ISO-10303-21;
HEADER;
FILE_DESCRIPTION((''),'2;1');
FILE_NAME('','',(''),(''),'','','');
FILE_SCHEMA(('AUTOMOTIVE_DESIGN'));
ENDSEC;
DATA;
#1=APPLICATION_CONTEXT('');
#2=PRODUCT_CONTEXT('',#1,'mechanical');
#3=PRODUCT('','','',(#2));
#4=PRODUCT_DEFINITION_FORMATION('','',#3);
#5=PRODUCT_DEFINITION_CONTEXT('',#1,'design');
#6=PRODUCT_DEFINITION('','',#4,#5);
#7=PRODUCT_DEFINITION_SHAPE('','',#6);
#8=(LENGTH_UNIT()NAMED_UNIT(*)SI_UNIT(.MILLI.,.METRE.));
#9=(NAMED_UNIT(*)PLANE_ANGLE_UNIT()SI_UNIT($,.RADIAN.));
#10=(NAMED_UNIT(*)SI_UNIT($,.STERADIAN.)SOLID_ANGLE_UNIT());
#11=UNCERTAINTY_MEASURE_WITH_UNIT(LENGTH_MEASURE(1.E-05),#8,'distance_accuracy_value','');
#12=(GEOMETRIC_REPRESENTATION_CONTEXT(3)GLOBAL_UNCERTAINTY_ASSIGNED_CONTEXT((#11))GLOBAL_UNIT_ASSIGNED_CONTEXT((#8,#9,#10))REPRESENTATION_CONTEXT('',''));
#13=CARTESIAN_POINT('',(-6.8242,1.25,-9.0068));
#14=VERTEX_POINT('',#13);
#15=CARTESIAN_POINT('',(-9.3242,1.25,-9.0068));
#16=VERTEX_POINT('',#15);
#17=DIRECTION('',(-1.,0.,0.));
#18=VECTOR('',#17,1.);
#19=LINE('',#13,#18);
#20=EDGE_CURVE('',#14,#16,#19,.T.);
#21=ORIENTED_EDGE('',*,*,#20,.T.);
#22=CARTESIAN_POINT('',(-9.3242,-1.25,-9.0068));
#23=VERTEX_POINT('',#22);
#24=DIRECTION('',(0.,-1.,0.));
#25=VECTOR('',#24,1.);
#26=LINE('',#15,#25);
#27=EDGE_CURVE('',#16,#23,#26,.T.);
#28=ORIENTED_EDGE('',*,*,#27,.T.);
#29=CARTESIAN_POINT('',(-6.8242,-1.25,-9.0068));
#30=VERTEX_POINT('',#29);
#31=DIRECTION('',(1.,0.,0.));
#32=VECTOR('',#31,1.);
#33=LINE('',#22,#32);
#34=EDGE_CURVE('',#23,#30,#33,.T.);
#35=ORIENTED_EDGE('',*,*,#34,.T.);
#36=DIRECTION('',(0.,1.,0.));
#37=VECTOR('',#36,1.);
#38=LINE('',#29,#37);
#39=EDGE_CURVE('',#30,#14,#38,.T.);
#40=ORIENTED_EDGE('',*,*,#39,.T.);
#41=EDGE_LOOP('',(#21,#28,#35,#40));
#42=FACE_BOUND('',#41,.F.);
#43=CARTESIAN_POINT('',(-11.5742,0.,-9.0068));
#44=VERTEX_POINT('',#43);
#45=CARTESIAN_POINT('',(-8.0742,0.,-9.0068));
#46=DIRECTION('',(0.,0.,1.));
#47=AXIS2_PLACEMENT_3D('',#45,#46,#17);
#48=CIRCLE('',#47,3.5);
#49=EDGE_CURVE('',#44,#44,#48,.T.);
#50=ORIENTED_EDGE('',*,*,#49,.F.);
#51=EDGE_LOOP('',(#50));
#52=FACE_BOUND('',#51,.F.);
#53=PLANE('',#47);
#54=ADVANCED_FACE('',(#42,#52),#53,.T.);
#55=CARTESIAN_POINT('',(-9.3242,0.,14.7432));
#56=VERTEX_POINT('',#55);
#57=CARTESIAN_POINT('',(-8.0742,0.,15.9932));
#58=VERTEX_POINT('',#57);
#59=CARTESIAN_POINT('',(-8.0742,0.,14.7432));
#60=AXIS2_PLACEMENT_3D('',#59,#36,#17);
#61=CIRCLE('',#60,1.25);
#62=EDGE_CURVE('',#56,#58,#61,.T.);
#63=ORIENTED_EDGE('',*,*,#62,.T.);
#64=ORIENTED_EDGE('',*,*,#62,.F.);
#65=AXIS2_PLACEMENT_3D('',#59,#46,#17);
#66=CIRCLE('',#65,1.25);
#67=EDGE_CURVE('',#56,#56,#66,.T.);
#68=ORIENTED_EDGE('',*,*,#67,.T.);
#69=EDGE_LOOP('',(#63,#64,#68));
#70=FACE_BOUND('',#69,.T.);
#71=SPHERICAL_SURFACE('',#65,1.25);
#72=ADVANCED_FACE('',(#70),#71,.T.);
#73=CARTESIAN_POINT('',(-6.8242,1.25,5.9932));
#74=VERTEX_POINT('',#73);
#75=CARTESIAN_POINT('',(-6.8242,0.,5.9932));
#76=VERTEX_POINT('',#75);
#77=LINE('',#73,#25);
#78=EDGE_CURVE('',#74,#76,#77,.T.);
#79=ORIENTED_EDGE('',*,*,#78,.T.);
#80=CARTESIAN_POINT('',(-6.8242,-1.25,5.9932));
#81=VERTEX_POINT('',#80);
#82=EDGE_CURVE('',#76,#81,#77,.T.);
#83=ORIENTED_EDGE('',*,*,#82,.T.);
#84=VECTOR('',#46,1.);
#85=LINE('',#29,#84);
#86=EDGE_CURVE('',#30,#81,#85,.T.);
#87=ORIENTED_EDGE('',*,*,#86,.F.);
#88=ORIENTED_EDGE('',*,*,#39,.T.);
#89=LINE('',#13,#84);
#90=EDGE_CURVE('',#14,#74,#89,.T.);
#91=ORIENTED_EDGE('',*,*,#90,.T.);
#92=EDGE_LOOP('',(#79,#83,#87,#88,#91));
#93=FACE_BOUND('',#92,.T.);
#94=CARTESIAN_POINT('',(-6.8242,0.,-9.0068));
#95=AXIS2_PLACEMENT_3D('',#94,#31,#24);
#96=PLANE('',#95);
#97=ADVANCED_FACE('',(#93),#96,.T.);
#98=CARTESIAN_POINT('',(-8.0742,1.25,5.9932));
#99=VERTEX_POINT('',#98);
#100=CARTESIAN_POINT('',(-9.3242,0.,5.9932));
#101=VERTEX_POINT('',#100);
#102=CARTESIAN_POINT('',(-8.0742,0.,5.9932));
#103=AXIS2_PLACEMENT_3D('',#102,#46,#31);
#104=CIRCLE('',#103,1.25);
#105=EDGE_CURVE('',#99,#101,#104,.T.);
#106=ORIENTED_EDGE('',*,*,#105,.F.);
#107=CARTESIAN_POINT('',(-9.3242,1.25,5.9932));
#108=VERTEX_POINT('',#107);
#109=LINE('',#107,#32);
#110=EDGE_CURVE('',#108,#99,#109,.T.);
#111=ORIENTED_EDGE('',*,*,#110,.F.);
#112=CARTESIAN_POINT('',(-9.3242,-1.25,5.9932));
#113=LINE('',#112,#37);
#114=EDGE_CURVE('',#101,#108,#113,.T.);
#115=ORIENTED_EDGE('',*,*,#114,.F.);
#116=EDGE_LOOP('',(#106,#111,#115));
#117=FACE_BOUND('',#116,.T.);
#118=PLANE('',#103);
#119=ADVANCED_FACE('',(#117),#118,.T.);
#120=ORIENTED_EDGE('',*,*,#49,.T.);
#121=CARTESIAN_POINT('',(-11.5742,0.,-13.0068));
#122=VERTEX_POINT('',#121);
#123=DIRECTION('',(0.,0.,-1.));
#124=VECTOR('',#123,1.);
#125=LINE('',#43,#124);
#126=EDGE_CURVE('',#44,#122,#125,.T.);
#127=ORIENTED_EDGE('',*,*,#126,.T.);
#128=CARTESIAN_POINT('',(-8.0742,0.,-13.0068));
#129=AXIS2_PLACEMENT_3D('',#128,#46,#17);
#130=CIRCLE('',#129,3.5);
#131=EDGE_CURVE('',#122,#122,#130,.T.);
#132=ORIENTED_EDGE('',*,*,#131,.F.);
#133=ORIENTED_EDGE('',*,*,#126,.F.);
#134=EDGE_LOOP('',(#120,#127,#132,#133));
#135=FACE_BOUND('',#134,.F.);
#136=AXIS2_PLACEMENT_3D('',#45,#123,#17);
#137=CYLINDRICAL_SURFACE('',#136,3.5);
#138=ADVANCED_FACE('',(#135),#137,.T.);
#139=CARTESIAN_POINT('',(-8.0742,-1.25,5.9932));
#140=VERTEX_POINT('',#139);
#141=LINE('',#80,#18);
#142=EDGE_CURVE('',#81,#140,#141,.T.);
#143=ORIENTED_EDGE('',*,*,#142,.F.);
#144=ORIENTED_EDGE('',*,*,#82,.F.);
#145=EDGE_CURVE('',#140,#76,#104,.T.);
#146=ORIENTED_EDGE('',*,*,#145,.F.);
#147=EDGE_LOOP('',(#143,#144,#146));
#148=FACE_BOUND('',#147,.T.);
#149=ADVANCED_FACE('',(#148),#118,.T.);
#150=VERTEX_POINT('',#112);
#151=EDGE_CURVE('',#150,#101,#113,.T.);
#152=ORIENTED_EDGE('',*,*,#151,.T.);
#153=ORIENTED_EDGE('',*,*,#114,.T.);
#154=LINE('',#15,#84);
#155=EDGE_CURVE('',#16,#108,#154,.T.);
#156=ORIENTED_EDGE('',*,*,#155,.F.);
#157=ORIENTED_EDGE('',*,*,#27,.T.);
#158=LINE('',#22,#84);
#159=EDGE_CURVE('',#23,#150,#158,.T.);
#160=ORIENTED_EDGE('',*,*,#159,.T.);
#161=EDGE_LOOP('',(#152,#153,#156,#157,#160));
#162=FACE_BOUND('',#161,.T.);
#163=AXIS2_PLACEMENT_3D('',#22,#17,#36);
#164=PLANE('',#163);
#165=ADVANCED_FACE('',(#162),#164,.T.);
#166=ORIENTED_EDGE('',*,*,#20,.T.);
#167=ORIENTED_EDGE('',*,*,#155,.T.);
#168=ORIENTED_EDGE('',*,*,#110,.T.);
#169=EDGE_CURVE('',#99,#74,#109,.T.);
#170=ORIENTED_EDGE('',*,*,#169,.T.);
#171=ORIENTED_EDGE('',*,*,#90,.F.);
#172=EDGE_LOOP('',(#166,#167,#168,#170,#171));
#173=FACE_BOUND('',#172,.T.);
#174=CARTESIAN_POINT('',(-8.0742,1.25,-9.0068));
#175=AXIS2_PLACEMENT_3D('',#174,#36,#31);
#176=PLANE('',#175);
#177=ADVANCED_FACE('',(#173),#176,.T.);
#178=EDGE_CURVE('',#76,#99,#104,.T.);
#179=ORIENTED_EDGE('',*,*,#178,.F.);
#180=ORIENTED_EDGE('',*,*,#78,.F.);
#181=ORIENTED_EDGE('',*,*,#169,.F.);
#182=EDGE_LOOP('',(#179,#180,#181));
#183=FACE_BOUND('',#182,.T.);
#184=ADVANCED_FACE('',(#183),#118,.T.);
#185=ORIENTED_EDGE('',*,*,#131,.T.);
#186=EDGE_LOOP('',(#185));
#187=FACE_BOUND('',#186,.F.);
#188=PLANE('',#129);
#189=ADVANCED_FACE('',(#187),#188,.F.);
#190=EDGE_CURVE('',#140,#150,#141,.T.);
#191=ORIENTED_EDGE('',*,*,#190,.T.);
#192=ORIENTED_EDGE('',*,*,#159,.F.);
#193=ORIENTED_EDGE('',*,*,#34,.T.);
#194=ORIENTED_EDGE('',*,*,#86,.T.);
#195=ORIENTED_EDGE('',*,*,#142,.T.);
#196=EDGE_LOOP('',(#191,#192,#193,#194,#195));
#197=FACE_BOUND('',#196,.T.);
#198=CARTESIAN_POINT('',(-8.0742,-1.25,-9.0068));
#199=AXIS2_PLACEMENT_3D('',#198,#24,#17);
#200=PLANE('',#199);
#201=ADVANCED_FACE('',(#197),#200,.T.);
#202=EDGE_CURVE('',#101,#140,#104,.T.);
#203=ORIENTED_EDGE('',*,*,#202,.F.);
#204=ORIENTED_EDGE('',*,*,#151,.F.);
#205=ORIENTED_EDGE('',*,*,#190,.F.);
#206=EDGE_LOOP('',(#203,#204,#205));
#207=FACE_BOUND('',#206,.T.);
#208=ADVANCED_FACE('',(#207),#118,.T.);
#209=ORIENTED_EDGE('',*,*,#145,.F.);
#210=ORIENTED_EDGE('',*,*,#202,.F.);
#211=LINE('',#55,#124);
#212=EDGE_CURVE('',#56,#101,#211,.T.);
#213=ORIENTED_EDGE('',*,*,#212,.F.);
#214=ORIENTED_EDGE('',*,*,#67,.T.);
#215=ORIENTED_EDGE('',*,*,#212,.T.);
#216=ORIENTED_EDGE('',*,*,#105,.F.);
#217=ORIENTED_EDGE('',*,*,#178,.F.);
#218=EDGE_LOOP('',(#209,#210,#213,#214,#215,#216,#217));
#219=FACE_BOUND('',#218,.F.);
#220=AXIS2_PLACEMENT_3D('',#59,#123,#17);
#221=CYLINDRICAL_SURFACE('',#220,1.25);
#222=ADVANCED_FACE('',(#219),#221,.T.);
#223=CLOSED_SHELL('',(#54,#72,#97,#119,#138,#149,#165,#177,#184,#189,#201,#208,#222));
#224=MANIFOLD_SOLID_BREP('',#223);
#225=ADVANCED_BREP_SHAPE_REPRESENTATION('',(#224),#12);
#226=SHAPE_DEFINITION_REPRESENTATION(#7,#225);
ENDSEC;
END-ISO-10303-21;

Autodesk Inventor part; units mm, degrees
ref_plane "YZ Plane" through (0, 0, 0) normal (1, 0, 0) x (0, 1, 0)
ref_plane "XZ Plane" through (0, 0, 0) normal (0, 1, 0) x (-1, 0, 0)
ref_plane "XY Plane" through (0, 0, 0) normal (0, 0, 1) x (1, 0, 0)
sketch "Sketch2" plane through (0, 0, 0) normal (0, 1, 0) x (-1, 0, 0)
  line L0 (8.0742, -13.0068) -> (8.0742, 15.9932)
  line L1 (9.3242, 14.7432) -> (9.3242, -9.0068)
  line L2 (9.3242, -9.0068) -> (11.5742, -9.0068)
  line L3 (11.5742, -9.0068) -> (11.5742, -13.0068)
  line L4 (11.5742, -13.0068) -> (8.0742, -13.0068)
  arc A0 (9.3242, 14.7432) -> (8.0742, 15.9932) centre (8.0742, 14.7432) ccw
  point P0 (0, 0)
  dimension "d13" = 29
  dimension "d15" = 1.25
  dimension "d16" = 3.5
  dimension "d17" = 4
revolve "Revolution2" add sketch "Sketch2" angle 360 about axis through (-8.0742, 0, -13.0068) along (0, 0, 1)
sketch "Sketch3" plane through (-8.0742, 0, -9.0068) normal (0, 0, 1) x (1, 0, 0)
  circle A0 centre (0, 0) radius 1.25 projected
  line L0 (-1.25, 1.25) -> (1.25, 1.25)
  line L1 (1.25, 1.25) -> (1.25, -1.25)
  line L2 (1.25, -1.25) -> (-1.25, -1.25)
  line L3 (-1.25, -1.25) -> (-1.25, 1.25)
  circle A1 centre (0, 0) radius 1.25 projected
  point P0 (8.0742, 0)
extrude "Extrusion1" add sketch "Sketch3" along normal blind 15 contours L1 L2 A0 | A0 L0 L1 | A0 L3 L0 | L2 L3 A0
properties part number "boltV5" material "Nickel-Copper Alloy 400"
